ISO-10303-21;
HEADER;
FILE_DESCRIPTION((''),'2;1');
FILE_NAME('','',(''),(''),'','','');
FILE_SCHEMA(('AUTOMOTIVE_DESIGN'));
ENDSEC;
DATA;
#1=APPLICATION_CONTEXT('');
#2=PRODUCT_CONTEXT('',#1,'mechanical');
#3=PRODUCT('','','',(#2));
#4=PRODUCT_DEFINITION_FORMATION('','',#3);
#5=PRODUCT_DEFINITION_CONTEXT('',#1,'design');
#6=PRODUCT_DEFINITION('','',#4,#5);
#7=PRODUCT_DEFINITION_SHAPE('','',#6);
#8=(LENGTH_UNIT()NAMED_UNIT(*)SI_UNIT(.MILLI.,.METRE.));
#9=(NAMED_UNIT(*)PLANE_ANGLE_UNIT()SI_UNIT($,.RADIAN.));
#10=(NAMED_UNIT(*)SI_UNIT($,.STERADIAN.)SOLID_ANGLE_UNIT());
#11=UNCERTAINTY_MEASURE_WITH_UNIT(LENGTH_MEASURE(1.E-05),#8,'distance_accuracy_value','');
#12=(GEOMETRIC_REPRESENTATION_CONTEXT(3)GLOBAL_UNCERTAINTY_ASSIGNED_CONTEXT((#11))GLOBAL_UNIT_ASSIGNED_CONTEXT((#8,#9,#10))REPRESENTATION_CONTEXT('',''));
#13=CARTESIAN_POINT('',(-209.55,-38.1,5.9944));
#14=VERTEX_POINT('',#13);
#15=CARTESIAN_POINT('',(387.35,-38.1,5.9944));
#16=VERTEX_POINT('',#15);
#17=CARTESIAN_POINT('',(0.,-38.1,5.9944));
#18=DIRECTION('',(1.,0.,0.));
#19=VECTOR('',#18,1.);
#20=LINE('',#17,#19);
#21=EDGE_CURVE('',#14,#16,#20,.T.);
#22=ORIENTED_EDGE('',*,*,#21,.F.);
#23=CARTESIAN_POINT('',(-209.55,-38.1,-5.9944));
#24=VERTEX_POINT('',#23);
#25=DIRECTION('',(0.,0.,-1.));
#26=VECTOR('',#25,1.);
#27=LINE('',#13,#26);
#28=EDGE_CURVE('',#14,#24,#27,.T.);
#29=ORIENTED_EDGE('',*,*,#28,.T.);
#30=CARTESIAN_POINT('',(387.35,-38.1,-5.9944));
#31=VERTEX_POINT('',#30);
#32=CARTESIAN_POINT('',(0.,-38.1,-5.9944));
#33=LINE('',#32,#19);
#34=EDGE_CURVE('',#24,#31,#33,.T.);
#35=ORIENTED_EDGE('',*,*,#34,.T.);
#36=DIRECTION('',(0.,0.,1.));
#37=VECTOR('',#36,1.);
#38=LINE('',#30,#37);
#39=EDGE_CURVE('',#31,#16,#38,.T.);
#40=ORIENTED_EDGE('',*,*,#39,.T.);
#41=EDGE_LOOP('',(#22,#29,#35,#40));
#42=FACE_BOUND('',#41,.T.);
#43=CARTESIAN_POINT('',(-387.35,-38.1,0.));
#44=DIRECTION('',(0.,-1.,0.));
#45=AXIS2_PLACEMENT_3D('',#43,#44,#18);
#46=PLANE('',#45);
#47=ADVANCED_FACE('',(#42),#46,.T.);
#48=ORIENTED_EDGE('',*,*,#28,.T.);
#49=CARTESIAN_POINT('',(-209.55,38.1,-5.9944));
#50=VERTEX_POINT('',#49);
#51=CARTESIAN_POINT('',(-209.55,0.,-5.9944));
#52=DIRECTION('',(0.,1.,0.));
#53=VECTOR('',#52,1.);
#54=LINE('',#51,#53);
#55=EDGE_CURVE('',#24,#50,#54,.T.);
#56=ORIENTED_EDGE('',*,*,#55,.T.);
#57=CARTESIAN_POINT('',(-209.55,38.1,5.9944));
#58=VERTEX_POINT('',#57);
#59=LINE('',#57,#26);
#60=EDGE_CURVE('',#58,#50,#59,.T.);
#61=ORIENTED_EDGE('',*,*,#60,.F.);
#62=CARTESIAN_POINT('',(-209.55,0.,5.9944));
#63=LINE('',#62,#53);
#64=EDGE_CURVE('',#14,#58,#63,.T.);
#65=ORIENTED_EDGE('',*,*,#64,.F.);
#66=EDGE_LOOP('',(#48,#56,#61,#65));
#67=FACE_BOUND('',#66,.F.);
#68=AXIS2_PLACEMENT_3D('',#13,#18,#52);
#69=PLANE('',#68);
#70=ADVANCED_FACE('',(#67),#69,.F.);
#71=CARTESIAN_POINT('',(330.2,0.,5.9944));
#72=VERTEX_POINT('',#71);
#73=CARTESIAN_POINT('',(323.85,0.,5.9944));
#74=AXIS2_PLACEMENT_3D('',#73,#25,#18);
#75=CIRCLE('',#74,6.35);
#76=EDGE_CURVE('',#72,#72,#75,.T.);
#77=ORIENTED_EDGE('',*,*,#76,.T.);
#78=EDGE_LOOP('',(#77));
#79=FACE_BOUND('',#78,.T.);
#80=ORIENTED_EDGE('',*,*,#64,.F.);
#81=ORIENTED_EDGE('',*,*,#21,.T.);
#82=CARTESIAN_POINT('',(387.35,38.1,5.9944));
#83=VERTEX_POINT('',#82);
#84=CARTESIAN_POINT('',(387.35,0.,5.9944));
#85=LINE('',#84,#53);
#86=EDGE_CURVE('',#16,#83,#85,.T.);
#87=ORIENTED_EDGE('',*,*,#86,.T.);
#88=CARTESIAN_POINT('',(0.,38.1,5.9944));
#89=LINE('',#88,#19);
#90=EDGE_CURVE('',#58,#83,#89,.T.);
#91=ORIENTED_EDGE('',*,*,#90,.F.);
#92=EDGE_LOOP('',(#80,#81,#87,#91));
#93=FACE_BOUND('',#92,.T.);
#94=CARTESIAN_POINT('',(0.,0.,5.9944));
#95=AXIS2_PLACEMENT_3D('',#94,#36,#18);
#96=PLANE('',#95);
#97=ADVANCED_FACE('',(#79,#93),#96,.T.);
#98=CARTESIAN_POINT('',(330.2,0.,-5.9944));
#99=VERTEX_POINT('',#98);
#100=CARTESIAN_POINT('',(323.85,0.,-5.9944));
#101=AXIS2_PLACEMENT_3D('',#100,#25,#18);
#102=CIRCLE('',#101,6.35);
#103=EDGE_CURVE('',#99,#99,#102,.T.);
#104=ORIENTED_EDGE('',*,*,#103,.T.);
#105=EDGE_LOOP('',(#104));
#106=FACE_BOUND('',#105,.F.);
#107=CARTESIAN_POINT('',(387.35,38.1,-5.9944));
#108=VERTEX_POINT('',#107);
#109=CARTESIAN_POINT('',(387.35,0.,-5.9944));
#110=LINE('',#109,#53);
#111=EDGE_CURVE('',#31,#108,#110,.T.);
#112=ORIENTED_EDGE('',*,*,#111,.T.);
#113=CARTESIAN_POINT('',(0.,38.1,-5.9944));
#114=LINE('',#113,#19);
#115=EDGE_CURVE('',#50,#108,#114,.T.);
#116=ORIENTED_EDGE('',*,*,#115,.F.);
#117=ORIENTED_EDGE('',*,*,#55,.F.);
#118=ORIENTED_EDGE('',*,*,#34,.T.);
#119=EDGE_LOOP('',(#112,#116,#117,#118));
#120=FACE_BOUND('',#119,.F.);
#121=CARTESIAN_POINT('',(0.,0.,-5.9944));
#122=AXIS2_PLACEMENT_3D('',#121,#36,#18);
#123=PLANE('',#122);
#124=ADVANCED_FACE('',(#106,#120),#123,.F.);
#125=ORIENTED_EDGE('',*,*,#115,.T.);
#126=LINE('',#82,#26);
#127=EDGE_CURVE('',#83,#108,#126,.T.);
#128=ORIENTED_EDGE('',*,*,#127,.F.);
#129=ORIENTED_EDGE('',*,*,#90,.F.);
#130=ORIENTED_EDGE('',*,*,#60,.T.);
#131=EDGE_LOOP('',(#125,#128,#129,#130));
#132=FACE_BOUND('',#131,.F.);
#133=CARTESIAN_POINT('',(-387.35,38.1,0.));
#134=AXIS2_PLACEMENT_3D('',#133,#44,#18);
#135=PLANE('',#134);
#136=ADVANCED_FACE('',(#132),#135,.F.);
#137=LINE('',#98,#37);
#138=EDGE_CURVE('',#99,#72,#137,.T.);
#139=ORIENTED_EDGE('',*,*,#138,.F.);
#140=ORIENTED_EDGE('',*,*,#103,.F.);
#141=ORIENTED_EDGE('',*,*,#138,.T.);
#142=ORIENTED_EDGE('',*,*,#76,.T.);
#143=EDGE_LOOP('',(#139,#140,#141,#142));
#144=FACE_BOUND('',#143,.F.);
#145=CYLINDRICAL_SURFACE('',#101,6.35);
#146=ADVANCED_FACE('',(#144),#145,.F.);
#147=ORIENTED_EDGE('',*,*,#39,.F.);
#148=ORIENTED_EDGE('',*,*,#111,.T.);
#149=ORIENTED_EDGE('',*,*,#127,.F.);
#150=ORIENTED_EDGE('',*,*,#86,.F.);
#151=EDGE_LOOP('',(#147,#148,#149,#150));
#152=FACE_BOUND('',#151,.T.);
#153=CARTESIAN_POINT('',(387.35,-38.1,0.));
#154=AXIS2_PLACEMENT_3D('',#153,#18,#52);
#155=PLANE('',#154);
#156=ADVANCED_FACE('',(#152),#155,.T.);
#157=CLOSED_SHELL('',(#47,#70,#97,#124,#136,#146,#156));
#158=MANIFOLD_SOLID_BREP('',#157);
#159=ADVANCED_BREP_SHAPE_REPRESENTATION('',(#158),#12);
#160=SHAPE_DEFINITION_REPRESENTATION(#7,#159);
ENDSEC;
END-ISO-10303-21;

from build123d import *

# Parameters (mm, degrees)
F0_W     = 774.7
F0_H     = 76.2
F1_DEPTH = 5.9944
F2_R     = 6.35
F3_DEPTH = 11.9888
F4_R     = 6.35
F5_DEPTH = 11.9888
F6_W     = 177.8
F6_H     = 76.2
F7_DEPTH = 11.9888


with BuildPart() as f1:
    # F0 (on Top) → F1 (new body, symmetric)
    with BuildSketch(Plane.XY):
        Rectangle(F0_W, F0_H)
    extrude(amount=F1_DEPTH, both=True)

    # F2 (on face) → F3 (cut, through all)
    with BuildSketch(Plane(origin=(0, 0, -5.9944), x_dir=(1, 0, 0), z_dir=(0, 0, -1))):
        with Locations((-316.70625, 0)):
            Circle(F2_R)
        with Locations((323.85, 0)):
            Circle(F2_R)
    extrude(amount=-F3_DEPTH, mode=Mode.SUBTRACT)

    # F4 (on face) → F5 (cut, through all)
    with BuildSketch(Plane.XY.offset(5.9944)):
        with Locations((-349.25, 0)):
            Circle(F4_R)
        with Locations((-234.95, 0)):
            Circle(F4_R)
    extrude(amount=-F5_DEPTH, mode=Mode.SUBTRACT)

    # F6 (on face) → F7 (cut, through all)
    with BuildSketch(Plane.XY.offset(5.9944)):
        with Locations((-298.45, 0)):
            Rectangle(F6_W, F6_H)
    extrude(amount=-F7_DEPTH, mode=Mode.SUBTRACT)


solid = f1.part
